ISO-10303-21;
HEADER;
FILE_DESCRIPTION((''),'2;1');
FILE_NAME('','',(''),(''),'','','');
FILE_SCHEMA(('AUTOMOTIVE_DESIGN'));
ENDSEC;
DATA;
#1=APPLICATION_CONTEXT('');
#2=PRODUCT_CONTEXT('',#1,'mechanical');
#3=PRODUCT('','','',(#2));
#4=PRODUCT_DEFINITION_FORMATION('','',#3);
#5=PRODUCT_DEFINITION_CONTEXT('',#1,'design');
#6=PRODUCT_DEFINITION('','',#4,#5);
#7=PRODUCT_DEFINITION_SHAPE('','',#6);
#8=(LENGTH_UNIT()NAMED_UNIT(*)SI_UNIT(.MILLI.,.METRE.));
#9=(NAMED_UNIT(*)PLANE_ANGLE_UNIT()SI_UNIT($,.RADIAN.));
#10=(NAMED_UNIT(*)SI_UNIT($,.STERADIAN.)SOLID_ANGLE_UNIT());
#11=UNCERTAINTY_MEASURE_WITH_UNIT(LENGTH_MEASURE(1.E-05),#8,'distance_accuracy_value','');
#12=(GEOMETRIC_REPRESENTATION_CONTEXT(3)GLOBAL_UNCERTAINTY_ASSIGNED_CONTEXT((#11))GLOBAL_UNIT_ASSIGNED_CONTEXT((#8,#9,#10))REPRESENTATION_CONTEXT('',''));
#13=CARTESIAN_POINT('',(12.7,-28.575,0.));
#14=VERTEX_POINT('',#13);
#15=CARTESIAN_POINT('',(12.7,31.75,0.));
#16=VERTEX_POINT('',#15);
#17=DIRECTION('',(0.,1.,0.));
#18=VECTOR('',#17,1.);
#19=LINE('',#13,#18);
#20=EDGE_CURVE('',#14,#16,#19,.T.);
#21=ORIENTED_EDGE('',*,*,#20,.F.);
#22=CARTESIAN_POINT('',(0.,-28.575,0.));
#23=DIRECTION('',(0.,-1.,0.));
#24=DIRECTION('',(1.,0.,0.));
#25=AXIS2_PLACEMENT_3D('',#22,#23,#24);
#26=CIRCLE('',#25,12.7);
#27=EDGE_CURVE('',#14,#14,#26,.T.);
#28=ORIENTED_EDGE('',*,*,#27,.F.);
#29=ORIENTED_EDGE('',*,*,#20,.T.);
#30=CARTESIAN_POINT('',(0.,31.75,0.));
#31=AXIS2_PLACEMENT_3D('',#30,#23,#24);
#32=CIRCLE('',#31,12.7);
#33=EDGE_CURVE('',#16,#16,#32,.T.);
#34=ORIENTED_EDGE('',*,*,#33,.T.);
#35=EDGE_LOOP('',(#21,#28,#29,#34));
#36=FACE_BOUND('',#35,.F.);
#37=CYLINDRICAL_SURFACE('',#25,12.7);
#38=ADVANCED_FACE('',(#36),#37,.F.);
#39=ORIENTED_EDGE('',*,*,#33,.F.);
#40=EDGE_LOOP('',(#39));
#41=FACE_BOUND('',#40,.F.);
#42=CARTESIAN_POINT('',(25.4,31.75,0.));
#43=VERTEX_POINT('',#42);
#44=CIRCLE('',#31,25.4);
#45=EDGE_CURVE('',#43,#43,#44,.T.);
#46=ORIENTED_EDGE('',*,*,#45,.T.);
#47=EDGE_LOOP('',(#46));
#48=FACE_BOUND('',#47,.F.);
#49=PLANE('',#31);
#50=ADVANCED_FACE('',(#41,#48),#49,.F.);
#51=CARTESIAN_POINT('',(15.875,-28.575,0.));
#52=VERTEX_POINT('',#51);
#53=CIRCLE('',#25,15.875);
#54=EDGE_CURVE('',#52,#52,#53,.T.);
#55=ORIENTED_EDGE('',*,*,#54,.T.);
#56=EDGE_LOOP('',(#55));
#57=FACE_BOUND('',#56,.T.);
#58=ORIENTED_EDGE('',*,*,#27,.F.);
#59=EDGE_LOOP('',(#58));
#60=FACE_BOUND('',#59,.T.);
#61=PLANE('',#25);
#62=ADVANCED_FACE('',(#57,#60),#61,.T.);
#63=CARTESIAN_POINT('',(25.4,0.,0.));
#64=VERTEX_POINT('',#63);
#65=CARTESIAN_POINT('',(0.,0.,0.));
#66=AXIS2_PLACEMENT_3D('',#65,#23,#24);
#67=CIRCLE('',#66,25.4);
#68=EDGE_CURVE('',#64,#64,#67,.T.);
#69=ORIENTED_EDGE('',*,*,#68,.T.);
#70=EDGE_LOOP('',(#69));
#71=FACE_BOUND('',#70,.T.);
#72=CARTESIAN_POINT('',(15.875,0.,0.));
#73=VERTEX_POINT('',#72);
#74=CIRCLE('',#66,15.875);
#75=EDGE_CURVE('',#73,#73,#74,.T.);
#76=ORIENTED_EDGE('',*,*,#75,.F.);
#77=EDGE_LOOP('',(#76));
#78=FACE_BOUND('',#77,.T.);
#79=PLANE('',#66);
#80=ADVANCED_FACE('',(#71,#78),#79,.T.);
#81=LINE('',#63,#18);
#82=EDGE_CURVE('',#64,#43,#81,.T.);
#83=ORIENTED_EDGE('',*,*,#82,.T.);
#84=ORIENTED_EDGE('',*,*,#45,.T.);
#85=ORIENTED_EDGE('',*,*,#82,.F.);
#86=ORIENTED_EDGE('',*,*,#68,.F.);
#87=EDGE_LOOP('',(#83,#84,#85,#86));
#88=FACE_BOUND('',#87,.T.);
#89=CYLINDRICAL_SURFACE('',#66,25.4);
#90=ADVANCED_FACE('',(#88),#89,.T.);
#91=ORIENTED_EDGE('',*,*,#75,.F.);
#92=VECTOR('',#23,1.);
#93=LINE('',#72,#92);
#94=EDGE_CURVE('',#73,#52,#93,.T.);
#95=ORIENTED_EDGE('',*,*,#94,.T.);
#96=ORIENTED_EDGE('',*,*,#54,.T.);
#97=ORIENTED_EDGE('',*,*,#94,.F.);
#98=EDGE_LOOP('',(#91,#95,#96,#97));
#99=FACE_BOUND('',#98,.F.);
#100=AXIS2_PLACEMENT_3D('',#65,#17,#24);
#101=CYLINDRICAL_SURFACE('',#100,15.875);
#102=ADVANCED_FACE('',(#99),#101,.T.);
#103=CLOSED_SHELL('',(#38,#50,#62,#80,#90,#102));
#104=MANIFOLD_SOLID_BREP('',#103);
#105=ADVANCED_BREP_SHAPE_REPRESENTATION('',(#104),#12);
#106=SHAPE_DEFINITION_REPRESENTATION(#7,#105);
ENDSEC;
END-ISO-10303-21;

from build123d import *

# Parameters (mm, degrees)
F0_R     = 25.4
F1_DEPTH = 31.75
F2_R     = 15.875
F3_DEPTH = 28.575
F4_R     = 12.7
F5_DEPTH = 60.325


with BuildPart() as f1:
    # F0 (on Front) → F1 (new body)
    with BuildSketch(Plane.XZ):
        Circle(F0_R)
    extrude(amount=-F1_DEPTH)

    # F2 (on face) → F3 (join)
    with BuildSketch(Plane.XZ):
        Circle(F2_R)
    extrude(amount=F3_DEPTH)

    # F4 (on face) → F5 (cut)
    with BuildSketch(Plane.XZ.offset(28.575)):
        Circle(F4_R)
    extrude(amount=-F5_DEPTH, mode=Mode.SUBTRACT)


solid = f1.part
